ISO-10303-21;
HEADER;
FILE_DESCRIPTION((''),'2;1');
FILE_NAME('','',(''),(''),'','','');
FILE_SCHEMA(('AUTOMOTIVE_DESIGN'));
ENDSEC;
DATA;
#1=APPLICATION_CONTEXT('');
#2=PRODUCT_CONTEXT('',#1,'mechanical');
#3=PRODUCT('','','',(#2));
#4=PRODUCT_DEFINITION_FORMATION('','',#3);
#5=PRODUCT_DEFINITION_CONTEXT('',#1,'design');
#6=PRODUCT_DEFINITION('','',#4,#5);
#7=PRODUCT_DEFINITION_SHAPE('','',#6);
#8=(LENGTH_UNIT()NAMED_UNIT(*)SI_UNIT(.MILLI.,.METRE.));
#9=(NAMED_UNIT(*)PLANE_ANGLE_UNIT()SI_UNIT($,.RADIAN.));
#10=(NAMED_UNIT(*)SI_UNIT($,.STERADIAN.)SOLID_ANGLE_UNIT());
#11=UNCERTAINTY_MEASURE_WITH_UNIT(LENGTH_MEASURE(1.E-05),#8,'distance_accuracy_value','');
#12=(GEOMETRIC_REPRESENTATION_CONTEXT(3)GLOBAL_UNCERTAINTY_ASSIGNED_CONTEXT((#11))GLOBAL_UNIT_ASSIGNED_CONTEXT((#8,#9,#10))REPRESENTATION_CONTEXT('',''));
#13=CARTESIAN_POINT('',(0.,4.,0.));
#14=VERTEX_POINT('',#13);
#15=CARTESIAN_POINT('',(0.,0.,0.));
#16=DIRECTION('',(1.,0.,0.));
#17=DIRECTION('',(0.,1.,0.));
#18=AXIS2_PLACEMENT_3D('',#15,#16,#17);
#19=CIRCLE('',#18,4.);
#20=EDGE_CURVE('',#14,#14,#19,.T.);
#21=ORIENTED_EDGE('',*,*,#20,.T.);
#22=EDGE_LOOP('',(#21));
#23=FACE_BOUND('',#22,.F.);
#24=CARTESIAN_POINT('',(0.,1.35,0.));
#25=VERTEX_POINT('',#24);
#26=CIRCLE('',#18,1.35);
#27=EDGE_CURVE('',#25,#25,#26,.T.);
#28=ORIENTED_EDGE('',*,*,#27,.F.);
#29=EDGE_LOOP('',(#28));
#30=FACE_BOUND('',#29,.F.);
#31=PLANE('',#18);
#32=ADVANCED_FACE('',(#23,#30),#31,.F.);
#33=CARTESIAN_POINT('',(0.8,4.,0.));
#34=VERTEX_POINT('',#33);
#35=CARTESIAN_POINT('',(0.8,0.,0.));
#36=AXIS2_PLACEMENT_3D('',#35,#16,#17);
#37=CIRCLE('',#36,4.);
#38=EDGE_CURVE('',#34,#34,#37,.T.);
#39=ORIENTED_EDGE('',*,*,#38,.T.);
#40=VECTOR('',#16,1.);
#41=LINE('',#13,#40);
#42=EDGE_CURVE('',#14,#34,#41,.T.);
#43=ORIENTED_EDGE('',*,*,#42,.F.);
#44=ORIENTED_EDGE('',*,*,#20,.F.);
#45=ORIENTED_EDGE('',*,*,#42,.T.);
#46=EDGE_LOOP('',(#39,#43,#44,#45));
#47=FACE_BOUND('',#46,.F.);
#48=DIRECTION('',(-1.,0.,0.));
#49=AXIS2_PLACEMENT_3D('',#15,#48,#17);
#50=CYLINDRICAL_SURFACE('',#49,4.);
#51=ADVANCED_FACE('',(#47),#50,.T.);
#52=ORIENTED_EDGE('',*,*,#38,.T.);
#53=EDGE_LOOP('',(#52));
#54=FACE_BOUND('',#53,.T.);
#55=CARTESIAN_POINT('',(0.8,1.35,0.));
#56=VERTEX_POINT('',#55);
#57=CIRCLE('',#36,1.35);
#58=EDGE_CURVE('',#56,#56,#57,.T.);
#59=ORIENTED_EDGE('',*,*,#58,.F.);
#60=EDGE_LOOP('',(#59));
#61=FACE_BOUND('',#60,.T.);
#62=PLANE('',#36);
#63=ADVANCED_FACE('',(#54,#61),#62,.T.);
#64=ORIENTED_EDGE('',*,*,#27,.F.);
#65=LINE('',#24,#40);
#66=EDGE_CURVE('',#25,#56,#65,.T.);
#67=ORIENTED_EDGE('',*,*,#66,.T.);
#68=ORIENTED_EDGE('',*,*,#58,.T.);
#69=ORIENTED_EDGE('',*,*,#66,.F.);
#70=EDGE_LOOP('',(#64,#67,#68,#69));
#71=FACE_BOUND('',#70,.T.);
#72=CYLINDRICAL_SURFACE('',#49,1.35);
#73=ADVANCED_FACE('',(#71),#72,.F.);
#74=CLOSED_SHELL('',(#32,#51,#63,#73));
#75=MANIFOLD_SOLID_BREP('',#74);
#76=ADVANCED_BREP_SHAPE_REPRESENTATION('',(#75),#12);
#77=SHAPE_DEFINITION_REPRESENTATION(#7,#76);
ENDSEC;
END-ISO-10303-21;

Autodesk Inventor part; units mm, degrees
ref_plane "YZ Plane" through (0, 0, 0) normal (1, 0, 0) x (0, 1, 0)
ref_plane "XZ Plane" through (0, 0, 0) normal (0, 1, 0) x (-1, 0, 0)
sketch "Skizze" plane through (0, 0, 0) normal (1, 0, 0) x (0, 1, 0)
  circle A0 centre (0, 0) radius 4
  circle A1 centre (0, 0) radius 1.35
  dimension "d0" = 2.7
  dimension "d1" = 8
extrude "Körper" add sketch "Skizze" along normal blind 0.8
ref_plane "Work Plane1" through (0, 0, 0) normal (0, 0, 1) x (1, 0, 0)
equation "\"d0\" = SD1"
equation "\"d1\" = SD2"
equation "\"d2\" = SD"
equation "\"SD1\" = 2.7"
equation "\"SD2\" = 8"
equation "\"SD\" = 0.8"
equation "\"NND\" = 2.5"
properties part number "DIN 9021 - 2,7" material "Stahl, weich"
